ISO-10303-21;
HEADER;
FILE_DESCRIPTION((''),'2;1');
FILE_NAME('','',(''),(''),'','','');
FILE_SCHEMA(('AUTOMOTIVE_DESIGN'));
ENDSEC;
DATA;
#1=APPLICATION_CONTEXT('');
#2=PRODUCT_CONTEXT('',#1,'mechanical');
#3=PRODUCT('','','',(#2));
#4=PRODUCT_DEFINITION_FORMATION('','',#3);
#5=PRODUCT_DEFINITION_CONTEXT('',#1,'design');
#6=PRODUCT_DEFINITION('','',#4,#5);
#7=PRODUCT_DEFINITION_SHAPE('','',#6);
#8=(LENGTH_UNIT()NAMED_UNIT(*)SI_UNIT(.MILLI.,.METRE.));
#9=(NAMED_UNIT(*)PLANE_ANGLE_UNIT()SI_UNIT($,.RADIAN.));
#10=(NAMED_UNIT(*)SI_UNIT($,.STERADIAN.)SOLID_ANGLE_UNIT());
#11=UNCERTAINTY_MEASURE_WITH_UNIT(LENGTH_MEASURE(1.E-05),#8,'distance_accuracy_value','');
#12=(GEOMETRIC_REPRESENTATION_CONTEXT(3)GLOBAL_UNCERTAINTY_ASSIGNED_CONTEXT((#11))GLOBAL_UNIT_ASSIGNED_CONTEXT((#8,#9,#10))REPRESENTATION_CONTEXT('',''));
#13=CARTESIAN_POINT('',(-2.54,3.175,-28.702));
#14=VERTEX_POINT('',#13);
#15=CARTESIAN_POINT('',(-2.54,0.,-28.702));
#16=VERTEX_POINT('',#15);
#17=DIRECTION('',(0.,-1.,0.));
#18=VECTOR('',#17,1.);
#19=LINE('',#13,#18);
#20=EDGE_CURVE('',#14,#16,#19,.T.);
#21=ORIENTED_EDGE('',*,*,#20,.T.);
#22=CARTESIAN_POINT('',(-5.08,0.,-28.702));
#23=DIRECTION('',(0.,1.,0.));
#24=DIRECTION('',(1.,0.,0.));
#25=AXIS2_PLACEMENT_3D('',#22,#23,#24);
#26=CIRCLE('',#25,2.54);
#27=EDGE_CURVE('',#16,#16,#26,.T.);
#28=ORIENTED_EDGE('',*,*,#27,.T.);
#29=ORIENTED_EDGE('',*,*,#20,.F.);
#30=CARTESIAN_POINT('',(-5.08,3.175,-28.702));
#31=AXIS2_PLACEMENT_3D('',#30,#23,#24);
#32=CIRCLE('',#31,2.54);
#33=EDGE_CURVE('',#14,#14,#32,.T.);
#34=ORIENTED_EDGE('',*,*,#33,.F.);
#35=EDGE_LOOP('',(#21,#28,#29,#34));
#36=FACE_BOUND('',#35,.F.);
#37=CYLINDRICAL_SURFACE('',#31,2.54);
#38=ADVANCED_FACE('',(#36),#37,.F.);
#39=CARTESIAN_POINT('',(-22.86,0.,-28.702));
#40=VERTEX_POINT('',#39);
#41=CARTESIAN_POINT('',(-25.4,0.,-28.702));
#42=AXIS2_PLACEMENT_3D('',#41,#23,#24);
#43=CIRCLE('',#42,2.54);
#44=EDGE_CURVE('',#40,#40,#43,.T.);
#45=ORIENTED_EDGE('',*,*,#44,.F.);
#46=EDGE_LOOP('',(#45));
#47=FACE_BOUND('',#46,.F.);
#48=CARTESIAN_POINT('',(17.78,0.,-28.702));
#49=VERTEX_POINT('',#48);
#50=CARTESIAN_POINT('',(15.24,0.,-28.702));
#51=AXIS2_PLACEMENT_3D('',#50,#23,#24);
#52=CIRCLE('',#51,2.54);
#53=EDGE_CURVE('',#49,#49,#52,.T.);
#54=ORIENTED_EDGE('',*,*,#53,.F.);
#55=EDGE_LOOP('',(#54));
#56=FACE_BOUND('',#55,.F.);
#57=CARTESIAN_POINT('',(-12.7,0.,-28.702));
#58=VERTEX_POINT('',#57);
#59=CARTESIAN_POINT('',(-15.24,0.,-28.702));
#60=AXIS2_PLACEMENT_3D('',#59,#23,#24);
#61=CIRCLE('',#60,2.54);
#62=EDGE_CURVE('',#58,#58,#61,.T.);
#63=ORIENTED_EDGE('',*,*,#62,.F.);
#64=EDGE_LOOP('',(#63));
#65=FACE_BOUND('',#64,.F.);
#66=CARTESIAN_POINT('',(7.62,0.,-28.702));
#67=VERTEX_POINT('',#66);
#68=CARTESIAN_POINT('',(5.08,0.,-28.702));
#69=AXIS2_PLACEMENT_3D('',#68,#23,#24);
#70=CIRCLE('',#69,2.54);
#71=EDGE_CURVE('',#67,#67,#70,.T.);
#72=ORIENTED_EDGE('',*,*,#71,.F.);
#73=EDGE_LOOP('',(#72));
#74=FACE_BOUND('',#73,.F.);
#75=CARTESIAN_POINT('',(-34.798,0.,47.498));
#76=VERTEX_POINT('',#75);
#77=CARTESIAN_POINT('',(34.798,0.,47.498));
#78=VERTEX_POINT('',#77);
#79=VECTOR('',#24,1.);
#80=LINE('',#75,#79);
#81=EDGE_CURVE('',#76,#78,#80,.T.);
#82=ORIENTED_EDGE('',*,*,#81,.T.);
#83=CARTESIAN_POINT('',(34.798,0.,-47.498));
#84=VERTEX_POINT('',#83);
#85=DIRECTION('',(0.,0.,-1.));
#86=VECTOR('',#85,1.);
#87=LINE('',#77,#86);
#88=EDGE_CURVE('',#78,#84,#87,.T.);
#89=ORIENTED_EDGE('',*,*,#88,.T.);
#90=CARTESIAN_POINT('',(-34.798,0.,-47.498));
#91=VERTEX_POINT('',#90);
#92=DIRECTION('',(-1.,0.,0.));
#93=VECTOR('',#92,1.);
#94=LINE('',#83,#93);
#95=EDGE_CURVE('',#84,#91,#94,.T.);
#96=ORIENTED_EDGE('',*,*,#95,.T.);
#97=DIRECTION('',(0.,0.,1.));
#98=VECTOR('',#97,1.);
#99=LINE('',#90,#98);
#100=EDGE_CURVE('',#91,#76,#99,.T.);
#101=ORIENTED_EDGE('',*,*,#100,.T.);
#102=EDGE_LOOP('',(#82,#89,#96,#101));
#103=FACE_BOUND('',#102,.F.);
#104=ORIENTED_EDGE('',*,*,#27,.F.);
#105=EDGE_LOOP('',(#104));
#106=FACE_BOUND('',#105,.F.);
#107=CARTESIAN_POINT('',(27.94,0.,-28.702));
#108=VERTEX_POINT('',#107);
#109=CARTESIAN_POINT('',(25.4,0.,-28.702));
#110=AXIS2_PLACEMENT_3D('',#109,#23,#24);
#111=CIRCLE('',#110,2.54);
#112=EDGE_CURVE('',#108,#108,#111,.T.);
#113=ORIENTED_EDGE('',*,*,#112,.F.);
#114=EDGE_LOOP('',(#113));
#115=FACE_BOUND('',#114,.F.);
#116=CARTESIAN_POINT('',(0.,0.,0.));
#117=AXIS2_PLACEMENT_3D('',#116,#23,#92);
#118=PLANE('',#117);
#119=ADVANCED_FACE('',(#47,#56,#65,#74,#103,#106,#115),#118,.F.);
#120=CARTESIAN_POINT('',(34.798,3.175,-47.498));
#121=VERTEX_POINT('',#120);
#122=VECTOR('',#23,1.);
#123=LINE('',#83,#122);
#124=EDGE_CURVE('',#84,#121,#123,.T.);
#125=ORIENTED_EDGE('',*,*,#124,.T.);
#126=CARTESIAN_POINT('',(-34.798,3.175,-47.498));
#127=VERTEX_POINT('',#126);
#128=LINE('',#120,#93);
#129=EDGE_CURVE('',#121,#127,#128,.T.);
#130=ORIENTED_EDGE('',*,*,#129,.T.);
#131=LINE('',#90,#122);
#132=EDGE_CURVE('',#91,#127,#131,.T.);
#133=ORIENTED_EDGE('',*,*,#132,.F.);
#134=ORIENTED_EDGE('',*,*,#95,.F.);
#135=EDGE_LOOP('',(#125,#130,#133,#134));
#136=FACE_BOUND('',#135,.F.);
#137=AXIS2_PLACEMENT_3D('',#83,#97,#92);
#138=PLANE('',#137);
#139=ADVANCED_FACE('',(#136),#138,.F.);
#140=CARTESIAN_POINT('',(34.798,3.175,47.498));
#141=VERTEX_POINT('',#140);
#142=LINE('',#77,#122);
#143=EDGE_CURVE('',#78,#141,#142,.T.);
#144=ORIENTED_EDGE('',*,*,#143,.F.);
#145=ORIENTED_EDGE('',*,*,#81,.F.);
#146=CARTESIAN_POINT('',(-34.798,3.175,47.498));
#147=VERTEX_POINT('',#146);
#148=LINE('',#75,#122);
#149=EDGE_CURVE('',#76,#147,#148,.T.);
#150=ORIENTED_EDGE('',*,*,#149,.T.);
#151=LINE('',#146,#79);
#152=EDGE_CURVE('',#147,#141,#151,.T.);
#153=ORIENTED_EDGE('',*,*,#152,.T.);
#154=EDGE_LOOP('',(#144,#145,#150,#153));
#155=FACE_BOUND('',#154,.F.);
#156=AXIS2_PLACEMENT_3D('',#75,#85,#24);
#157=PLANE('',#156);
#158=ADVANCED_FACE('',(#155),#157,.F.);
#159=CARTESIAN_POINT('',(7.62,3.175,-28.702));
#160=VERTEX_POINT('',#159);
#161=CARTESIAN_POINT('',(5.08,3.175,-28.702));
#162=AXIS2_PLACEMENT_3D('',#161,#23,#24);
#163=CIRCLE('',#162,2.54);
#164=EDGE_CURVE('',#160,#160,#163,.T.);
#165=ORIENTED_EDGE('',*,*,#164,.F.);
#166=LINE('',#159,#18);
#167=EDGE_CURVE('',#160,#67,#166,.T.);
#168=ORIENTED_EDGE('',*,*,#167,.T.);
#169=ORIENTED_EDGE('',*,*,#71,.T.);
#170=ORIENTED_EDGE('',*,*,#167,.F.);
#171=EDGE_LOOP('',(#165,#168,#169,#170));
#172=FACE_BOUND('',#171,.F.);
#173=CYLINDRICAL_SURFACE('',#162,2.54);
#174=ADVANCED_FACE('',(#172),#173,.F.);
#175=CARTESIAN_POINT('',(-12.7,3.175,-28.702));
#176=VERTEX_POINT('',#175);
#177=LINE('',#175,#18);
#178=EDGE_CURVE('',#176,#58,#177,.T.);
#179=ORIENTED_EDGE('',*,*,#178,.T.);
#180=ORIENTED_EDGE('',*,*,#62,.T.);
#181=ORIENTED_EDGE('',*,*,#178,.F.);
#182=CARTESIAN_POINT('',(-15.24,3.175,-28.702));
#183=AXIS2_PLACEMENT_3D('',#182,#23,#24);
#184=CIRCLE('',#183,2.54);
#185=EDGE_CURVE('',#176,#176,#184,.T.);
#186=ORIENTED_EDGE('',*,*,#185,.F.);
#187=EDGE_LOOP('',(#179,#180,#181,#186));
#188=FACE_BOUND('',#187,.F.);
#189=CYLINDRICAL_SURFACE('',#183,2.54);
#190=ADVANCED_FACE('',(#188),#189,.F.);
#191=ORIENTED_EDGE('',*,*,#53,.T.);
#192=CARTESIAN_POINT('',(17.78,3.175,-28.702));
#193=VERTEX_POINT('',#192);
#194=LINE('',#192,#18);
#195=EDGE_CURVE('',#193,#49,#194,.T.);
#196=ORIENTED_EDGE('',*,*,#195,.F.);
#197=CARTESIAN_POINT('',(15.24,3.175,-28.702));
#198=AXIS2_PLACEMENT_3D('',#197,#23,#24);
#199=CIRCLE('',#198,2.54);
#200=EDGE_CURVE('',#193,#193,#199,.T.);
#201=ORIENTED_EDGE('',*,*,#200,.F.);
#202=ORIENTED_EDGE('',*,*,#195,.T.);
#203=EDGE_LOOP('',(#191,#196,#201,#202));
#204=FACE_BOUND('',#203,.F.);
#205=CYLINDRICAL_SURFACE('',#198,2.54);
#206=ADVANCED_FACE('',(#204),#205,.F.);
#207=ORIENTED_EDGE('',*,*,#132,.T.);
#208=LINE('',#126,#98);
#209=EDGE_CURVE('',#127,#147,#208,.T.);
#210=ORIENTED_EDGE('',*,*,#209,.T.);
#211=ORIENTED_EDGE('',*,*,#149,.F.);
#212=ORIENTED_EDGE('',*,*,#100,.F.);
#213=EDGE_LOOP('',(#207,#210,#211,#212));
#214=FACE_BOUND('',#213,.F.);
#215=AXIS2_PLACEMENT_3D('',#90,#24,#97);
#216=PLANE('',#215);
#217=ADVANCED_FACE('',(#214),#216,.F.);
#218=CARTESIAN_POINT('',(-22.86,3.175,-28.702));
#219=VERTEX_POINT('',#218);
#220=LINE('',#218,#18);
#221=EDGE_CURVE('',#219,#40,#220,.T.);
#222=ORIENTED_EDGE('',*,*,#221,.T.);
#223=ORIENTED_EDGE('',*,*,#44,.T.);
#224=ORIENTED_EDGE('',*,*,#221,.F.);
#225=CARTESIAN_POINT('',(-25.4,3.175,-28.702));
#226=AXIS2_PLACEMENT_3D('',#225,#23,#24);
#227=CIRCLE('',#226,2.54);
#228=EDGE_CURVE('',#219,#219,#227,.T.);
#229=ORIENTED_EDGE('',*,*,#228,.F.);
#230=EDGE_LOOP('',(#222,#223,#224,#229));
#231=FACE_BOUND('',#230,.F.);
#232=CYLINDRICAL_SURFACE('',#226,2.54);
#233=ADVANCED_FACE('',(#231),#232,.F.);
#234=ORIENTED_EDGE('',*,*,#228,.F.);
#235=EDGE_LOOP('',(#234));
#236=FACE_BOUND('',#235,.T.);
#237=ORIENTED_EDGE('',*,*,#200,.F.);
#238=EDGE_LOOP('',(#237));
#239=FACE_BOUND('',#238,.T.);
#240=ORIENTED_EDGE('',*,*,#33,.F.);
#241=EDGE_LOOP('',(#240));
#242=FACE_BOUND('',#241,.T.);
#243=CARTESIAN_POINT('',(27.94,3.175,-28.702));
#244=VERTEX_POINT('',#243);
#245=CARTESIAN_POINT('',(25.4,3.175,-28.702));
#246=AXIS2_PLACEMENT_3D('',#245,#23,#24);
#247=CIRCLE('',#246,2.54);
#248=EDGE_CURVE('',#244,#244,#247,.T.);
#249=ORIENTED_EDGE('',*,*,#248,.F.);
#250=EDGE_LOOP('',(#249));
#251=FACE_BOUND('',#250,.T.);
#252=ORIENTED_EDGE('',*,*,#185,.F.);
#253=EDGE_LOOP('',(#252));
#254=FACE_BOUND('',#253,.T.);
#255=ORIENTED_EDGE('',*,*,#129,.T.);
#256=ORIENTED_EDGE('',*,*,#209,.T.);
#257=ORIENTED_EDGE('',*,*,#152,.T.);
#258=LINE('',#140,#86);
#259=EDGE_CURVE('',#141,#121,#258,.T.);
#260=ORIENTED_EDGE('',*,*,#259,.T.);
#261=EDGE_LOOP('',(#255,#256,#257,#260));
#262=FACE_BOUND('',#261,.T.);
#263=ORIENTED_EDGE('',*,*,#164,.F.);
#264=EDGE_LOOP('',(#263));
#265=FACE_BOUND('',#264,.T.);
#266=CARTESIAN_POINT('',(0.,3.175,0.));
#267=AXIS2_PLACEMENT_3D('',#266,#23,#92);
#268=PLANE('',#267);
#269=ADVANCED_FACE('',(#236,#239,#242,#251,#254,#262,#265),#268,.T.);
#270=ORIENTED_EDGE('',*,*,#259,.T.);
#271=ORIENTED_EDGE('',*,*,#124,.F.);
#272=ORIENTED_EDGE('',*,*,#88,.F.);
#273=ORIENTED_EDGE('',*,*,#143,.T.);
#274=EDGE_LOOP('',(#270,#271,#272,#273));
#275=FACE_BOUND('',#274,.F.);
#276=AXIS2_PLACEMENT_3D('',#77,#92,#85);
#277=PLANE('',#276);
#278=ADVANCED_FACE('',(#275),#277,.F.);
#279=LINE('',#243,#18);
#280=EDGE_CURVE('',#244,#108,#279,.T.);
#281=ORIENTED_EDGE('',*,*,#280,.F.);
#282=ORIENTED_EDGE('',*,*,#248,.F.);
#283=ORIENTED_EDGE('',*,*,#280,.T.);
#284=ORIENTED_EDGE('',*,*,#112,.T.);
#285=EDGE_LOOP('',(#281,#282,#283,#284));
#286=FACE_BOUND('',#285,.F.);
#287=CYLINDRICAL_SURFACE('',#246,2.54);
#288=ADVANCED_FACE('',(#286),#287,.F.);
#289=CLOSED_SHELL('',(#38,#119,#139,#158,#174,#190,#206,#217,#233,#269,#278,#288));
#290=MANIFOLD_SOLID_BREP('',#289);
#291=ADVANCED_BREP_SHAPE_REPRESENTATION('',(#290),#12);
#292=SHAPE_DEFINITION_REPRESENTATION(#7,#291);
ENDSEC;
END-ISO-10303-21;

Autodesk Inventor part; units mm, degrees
ref_plane "YZ Plane" through (0, 0, 0) normal (1, 0, 0) x (0, 1, 0)
ref_plane "XZ Plane" through (0, 0, 0) normal (0, 1, 0) x (-1, 0, 0)
ref_plane "XY Plane" through (0, 0, 0) normal (0, 0, 1) x (1, 0, 0)
sketch "Sketch1" plane through (0, 0, 0) normal (0, 1, 0) x (-1, 0, 0)
  line L0 (34.798, 47.498) -> (-34.798, 47.498)
  line L1 (-34.798, 47.498) -> (-34.798, -47.498)
  line L2 (-34.798, -47.498) -> (34.798, -47.498)
  line L3 (34.798, -47.498) -> (34.798, 47.498)
  point P0 (0, 0)
  dimension "d0" = 47.498
  dimension "d1" = 94.996
  dimension "d2" = 69.596
  dimension "d3" = 34.798
extrude "Extrusion1" add sketch "Sketch1" along normal blind 3.175
sketch "Sketch2" plane through (0, 3.175, 0) normal (0, 1, 0) x (1, 0, 0)
  line L0 (-34.798, -47.498) -> (34.798, -47.498) projected
  line L1 (0, -47.498) -> (0, 28.702) construction
  line L2 (-34.798, 47.498) -> (-34.798, -47.498) projected
  line L3 (-34.798, 28.702) -> (32.4262, 28.702) construction
  circle A0 centre (-5.08, 28.702) radius 2.54
  circle A1 centre (-15.24, 28.702) radius 2.54
  circle A2 centre (-25.4, 28.702) radius 2.54
  circle A3 centre (5.08, 28.702) radius 2.54
  circle A4 centre (15.24, 28.702) radius 2.54
  circle A5 centre (25.4, 28.702) radius 2.54
  point P0 (0, 0)
  dimension "d6" = 5.08
  dimension "d7" = 10.16
  dimension "d8" = 10.16
  dimension "d9" = 76.2
  dimension "d10" = 5.08
extrude "Extrusion2" cut sketch "Sketch2" against normal blind 3.175
equation "\"d0\" = 0.5 * d1"
equation "\"d3\" = 0.5 * d2"
properties part number "sheild"
